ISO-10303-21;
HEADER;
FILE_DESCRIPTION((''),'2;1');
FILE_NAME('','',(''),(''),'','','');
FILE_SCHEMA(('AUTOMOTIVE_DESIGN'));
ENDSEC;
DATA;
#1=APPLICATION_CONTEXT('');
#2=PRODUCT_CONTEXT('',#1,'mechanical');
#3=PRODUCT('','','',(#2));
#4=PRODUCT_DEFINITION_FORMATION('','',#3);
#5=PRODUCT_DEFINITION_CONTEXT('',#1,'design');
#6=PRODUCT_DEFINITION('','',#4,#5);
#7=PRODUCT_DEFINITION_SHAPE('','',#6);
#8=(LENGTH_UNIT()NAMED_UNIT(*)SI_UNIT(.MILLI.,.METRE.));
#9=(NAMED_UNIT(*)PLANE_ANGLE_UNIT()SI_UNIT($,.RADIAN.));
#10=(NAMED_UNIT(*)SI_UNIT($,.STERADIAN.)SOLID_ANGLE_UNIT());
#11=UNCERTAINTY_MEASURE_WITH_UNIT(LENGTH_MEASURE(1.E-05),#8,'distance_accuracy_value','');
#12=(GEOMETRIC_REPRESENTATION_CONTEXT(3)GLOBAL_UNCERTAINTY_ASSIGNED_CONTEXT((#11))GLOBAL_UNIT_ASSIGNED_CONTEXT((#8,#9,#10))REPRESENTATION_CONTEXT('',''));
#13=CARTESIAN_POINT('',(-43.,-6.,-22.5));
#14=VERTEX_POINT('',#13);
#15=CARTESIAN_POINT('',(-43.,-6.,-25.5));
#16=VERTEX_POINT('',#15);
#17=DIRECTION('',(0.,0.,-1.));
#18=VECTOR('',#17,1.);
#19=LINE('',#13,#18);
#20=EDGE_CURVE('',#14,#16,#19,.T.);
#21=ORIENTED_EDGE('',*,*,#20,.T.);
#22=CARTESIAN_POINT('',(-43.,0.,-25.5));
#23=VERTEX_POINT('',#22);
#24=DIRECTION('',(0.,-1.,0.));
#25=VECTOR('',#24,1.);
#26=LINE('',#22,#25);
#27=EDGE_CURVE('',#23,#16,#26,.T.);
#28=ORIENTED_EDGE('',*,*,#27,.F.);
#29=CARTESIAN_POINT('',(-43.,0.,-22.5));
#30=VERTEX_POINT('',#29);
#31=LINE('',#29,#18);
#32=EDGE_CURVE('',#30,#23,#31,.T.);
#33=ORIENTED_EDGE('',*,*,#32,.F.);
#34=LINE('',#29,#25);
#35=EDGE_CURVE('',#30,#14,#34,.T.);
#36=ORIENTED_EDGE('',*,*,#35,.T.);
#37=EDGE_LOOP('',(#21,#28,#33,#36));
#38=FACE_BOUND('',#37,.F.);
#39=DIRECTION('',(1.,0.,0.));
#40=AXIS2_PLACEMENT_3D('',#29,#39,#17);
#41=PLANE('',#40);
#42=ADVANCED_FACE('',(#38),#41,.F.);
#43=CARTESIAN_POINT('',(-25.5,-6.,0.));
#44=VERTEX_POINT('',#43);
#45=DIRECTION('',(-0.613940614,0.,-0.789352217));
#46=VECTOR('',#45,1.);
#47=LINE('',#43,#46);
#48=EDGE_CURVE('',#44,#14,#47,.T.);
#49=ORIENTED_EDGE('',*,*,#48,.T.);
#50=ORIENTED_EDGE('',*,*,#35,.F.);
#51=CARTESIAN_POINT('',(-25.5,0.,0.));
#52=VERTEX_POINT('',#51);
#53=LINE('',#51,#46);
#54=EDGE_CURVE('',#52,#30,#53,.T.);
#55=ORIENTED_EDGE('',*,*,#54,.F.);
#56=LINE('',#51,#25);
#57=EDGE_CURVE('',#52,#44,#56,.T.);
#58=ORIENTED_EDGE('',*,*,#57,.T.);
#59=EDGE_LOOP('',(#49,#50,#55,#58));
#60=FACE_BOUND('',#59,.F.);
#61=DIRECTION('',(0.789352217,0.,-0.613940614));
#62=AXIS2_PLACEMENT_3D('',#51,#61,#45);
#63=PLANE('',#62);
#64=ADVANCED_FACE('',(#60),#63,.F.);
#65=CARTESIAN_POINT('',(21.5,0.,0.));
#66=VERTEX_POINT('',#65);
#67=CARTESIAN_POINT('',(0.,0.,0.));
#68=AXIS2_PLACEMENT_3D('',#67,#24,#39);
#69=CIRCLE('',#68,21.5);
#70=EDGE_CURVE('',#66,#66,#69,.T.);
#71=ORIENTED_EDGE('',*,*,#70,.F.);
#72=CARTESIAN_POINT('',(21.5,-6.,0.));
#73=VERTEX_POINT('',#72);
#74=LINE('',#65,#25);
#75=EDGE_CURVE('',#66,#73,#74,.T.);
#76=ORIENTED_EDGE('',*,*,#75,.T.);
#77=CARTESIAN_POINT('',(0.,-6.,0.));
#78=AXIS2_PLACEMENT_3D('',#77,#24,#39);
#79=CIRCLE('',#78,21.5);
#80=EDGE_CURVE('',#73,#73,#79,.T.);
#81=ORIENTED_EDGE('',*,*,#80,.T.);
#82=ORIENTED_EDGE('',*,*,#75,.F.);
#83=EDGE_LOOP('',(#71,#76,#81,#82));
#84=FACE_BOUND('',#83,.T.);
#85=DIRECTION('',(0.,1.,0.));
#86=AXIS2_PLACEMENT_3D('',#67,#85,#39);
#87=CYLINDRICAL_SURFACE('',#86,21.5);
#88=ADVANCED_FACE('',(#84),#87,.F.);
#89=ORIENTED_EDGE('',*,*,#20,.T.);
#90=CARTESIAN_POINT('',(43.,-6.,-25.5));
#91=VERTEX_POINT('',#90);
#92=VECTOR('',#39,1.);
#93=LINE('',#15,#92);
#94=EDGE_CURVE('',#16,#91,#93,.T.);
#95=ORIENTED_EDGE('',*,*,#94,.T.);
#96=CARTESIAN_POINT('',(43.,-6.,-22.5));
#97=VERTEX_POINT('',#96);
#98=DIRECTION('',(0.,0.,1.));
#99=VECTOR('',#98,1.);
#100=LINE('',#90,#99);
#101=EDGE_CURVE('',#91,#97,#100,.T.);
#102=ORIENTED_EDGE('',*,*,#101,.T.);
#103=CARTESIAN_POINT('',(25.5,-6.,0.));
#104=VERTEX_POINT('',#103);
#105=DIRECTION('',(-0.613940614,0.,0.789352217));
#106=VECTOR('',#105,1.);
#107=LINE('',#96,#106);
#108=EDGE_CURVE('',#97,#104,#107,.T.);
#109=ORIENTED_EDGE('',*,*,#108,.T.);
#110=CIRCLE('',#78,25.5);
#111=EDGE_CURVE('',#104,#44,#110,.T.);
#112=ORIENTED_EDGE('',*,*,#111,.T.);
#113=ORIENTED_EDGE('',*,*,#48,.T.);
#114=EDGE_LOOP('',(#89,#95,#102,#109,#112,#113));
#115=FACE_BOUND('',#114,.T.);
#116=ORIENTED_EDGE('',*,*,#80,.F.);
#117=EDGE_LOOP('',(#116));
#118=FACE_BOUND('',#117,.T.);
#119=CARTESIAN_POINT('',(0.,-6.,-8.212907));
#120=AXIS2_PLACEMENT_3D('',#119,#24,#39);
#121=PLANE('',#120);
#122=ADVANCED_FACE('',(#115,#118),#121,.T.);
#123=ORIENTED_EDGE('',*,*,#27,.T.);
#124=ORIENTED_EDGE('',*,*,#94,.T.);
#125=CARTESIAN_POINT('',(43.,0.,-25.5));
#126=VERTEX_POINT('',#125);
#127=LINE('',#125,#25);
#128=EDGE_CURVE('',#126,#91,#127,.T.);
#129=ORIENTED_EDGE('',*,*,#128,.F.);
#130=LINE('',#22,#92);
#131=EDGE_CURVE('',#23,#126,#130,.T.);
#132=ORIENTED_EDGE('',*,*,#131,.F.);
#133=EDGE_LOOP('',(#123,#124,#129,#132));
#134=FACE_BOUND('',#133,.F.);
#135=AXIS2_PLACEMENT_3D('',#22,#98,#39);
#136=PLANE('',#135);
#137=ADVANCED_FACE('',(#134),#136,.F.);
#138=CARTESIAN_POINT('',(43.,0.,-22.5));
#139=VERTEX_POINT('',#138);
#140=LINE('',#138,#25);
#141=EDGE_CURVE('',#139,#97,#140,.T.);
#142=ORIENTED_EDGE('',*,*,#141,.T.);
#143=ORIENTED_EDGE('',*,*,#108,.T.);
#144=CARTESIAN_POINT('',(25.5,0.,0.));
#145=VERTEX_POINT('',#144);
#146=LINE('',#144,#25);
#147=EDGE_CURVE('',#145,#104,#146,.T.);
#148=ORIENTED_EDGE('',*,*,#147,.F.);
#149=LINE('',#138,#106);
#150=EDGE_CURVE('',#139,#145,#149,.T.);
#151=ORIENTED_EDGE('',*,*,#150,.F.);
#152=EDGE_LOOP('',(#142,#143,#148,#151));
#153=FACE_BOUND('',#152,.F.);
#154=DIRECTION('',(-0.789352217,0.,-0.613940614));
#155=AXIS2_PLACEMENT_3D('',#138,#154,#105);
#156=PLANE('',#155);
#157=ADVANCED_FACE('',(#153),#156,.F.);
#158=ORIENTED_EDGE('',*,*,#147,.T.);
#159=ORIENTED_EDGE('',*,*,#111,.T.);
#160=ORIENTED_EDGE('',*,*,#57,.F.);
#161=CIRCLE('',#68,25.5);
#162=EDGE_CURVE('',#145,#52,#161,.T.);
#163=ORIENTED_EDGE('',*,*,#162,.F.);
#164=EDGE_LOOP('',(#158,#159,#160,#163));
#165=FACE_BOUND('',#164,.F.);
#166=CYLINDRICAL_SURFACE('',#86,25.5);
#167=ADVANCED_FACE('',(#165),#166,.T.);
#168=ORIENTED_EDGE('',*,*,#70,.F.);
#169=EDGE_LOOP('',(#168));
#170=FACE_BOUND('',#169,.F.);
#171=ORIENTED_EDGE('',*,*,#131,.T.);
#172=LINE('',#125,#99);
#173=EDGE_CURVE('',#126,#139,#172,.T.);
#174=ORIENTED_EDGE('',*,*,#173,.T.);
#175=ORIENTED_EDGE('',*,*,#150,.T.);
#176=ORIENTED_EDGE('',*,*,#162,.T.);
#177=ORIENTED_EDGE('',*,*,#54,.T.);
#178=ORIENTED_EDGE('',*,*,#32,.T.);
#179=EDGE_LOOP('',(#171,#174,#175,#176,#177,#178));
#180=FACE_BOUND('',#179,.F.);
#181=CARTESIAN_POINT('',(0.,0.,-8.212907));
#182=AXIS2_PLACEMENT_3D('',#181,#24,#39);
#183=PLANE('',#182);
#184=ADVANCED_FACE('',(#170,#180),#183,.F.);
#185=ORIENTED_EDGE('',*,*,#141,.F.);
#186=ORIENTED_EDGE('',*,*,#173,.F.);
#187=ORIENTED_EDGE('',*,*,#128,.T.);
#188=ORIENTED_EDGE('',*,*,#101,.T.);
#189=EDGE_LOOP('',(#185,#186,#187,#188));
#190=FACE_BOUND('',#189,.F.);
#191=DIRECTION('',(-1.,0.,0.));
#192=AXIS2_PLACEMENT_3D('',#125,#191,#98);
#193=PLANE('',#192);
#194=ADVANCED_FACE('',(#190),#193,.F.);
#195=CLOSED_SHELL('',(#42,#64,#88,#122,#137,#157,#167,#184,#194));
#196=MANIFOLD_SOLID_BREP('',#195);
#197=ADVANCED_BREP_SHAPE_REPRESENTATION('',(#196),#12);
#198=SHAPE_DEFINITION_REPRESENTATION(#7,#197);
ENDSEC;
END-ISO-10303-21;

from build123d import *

# Parameters (mm, degrees)
F0_R     = 21.5
F1_DEPTH = 6


with BuildPart() as f1:
    # F0 (on Front) → F1 (new body)
    with BuildSketch(Plane.XZ):
        with BuildLine():
            Line((-43, -22.5), (-43, -25.5))
            Line((-43, -25.5), (43, -25.5))
            Line((43, -25.5), (43, -22.5))
            Line((43, -22.5), (25.5, 0))
            ThreePointArc((25.5, 0), (0, 25.5), (-25.5, 0))
            Line((-25.5, 0), (-43, -22.5))
        make_face()
        Circle(F0_R, mode=Mode.SUBTRACT)
    extrude(amount=F1_DEPTH)


solid = f1.part
